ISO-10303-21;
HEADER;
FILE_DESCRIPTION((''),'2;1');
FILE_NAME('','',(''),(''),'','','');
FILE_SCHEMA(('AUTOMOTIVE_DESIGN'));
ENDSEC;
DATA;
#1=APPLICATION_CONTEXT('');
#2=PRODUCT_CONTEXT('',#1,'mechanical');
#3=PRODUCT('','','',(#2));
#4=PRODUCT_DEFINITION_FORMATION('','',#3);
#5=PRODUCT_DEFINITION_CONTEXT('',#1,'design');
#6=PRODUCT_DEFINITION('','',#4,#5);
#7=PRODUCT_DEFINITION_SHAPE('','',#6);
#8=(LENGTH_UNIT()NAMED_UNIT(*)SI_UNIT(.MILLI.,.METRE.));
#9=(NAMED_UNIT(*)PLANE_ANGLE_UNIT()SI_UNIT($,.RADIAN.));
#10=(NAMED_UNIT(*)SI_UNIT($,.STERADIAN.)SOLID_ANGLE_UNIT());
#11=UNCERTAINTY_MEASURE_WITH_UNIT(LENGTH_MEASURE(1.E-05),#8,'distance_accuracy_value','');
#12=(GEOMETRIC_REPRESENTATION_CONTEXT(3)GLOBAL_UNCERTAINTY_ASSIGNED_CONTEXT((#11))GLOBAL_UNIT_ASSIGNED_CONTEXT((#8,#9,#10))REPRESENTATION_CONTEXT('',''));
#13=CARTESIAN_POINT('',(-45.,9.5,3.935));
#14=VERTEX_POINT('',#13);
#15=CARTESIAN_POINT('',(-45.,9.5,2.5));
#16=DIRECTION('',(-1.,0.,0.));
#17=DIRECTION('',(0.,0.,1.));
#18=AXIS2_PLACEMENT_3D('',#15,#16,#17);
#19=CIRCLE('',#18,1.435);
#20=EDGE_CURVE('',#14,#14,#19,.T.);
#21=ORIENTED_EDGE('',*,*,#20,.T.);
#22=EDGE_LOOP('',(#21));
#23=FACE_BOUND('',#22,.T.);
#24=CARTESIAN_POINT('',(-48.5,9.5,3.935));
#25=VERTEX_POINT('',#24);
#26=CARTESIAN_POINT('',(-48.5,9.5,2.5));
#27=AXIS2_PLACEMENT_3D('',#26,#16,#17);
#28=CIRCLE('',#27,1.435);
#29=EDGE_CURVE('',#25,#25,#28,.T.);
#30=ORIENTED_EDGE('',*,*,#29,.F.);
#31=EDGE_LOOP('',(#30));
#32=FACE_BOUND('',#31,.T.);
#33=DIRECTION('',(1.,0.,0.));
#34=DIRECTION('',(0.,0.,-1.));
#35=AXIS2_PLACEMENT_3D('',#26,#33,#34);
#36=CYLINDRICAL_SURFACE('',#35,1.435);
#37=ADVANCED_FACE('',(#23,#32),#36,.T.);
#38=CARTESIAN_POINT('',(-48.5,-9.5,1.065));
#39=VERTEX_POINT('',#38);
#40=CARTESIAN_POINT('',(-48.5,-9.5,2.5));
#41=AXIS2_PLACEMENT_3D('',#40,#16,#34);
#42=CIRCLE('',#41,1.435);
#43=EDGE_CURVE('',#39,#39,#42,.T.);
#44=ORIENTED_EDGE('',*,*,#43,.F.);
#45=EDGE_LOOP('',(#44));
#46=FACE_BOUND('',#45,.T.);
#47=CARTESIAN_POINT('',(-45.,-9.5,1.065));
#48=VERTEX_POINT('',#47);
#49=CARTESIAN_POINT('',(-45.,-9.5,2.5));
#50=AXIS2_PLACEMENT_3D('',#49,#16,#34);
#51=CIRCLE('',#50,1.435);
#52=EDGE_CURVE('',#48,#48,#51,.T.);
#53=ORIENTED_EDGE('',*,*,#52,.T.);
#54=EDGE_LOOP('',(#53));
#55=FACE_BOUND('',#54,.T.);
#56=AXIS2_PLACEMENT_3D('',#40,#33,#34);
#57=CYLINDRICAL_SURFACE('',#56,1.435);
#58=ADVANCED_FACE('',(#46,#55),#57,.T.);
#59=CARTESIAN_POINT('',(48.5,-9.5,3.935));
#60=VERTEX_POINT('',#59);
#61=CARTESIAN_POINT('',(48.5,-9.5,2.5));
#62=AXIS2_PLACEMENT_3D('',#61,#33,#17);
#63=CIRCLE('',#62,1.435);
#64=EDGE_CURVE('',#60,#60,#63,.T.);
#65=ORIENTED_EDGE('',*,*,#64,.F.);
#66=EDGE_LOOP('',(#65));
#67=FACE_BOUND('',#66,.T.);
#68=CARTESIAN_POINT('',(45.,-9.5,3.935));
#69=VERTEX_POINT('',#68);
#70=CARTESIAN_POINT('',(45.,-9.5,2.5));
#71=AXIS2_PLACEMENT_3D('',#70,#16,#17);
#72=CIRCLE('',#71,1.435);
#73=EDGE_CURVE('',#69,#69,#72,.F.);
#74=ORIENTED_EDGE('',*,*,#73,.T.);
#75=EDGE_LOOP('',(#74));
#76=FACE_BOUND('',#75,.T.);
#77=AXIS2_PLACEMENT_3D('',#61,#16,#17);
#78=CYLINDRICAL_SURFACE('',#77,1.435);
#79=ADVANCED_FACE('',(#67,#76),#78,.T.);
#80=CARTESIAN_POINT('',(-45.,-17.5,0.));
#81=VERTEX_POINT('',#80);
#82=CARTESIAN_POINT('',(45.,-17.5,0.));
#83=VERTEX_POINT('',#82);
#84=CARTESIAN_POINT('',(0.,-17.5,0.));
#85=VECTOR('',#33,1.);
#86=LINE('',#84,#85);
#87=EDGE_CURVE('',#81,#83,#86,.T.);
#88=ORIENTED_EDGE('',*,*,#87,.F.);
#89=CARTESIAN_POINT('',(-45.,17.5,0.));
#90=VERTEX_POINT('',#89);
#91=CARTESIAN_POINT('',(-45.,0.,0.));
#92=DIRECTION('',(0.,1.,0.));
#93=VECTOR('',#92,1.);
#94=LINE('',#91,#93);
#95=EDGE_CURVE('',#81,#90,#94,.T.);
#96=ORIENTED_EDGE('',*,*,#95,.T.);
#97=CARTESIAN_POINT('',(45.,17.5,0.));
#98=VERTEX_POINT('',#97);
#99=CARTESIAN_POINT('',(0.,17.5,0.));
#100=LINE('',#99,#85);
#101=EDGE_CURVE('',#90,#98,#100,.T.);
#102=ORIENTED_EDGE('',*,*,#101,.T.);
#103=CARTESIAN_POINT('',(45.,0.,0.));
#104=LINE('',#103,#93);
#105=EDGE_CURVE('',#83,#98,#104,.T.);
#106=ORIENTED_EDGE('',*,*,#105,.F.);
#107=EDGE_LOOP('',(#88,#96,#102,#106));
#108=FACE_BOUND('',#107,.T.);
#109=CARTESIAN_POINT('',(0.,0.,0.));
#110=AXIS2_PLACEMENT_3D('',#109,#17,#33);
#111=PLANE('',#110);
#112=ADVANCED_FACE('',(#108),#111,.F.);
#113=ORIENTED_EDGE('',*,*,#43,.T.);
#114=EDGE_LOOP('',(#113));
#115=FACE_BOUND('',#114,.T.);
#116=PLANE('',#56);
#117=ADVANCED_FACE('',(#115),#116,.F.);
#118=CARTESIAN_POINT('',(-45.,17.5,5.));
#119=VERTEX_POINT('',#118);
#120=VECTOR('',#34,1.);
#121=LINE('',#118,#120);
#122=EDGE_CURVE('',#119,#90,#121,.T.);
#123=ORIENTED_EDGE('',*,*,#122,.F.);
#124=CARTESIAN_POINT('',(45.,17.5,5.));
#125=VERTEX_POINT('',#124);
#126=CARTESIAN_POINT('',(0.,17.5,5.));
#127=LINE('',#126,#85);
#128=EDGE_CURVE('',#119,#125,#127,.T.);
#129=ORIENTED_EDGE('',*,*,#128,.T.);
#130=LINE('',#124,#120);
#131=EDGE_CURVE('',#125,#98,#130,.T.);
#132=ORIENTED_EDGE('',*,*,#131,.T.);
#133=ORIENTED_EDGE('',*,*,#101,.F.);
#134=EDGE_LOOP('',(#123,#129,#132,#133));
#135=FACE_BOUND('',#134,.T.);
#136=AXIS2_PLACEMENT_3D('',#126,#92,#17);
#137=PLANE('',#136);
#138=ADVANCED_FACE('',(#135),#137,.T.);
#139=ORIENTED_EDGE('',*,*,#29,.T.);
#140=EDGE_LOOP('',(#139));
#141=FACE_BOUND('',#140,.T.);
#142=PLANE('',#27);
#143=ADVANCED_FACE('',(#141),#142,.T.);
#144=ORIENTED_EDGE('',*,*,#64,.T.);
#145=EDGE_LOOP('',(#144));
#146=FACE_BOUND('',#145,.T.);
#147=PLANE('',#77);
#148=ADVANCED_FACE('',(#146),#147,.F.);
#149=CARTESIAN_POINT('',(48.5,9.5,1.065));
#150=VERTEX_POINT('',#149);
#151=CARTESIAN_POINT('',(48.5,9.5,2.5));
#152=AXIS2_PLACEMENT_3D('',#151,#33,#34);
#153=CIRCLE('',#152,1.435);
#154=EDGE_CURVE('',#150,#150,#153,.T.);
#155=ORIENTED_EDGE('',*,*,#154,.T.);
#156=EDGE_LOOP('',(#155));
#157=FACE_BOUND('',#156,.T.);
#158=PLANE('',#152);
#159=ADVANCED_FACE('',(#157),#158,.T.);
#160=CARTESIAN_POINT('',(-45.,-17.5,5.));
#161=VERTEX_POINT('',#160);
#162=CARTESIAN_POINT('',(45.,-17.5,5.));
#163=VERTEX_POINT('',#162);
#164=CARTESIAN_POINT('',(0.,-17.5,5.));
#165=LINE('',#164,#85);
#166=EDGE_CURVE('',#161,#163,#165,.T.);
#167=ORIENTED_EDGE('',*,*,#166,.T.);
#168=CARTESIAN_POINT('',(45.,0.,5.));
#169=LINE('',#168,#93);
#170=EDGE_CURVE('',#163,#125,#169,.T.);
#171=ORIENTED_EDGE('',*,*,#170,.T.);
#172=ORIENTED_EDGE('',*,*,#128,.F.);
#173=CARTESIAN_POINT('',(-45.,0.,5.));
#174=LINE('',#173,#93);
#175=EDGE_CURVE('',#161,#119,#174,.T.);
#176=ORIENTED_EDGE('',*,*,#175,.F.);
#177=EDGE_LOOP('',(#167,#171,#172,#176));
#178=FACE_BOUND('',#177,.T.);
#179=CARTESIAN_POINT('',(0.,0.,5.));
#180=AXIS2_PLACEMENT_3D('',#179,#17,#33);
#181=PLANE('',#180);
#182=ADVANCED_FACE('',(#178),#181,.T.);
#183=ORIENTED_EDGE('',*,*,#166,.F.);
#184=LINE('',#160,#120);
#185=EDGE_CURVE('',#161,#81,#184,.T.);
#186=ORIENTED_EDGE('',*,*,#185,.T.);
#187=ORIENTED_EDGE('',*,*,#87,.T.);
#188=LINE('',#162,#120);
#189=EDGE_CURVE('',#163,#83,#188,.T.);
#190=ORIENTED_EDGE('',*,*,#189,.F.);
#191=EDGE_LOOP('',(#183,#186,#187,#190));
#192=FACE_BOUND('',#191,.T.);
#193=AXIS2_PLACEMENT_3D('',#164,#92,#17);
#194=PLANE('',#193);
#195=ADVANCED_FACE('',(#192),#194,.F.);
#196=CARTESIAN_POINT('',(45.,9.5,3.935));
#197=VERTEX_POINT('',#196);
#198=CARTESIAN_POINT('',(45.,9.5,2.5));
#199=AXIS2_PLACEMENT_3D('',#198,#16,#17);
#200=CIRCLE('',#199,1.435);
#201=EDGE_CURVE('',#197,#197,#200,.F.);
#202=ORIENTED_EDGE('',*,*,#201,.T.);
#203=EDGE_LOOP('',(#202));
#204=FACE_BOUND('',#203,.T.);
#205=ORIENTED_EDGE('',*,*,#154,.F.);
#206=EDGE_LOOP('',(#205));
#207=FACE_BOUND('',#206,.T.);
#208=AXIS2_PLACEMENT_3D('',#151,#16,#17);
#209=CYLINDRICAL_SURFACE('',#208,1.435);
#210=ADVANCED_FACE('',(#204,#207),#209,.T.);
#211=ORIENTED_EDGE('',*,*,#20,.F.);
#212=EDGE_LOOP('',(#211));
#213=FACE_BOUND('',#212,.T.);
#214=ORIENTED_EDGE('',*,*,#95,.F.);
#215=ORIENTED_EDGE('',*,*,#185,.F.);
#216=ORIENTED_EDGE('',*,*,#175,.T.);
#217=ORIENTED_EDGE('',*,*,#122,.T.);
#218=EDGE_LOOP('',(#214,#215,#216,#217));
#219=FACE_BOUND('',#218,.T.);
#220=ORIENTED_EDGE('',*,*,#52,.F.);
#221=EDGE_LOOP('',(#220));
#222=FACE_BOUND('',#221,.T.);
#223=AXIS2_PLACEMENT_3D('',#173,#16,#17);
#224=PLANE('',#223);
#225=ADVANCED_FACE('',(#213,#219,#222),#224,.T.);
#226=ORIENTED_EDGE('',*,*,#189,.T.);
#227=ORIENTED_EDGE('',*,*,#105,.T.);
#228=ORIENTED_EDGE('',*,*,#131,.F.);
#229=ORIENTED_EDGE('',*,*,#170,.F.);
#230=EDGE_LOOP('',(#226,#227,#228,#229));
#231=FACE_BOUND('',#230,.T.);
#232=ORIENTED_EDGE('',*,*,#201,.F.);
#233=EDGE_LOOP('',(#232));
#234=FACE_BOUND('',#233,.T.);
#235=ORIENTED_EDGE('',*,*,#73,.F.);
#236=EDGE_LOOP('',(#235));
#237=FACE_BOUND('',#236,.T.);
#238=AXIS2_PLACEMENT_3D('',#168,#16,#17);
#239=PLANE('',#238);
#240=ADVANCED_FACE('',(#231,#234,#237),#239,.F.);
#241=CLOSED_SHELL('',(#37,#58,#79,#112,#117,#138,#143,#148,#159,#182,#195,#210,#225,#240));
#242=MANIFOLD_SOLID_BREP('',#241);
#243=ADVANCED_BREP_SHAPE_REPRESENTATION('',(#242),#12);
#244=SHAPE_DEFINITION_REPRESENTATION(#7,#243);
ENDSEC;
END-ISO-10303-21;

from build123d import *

# Parameters (mm, degrees)
SKETCH1_W           = 90
SKETCH1_H           = 35
BOSS_EXTRUDE1_DEPTH = 5
SKETCH2_R           = 1.435
BOSS_EXTRUDE2_DEPTH = 3.5
BOSS_EXTRUDE3_START = 3.5
SKETCH3_R           = 1.435
BOSS_EXTRUDE3_DEPTH = 3.5


with BuildPart() as part:
    # Sketch1 → Boss-Extrude1 (new body)
    with BuildSketch(Plane.XY):
        Rectangle(SKETCH1_W, SKETCH1_H)
    extrude(amount=BOSS_EXTRUDE1_DEPTH)

    # Sketch2 → Boss-Extrude2 (add)
    with BuildSketch(Plane(origin=(45, 0, 0), x_dir=(0, 0, -1), z_dir=(1, 0, 0))):
        with Locations(Location((-2.5, 9.5, 0), (0, 0, 180))):
            Circle(SKETCH2_R)
        with Locations(Location((-2.5, -9.5, 0), (0, 0, 180))):
            Circle(SKETCH2_R)
    extrude(amount=BOSS_EXTRUDE2_DEPTH)

    # Sketch3 → Boss-Extrude3 (add)
    with BuildSketch(Plane.ZY.offset(45).offset(BOSS_EXTRUDE3_START)):
        with Locations((2.5, 9.5)):
            Circle(SKETCH3_R)
        with Locations((2.5, -9.5)):
            Circle(SKETCH3_R)
    extrude(amount=-BOSS_EXTRUDE3_DEPTH)


solid = part.part
